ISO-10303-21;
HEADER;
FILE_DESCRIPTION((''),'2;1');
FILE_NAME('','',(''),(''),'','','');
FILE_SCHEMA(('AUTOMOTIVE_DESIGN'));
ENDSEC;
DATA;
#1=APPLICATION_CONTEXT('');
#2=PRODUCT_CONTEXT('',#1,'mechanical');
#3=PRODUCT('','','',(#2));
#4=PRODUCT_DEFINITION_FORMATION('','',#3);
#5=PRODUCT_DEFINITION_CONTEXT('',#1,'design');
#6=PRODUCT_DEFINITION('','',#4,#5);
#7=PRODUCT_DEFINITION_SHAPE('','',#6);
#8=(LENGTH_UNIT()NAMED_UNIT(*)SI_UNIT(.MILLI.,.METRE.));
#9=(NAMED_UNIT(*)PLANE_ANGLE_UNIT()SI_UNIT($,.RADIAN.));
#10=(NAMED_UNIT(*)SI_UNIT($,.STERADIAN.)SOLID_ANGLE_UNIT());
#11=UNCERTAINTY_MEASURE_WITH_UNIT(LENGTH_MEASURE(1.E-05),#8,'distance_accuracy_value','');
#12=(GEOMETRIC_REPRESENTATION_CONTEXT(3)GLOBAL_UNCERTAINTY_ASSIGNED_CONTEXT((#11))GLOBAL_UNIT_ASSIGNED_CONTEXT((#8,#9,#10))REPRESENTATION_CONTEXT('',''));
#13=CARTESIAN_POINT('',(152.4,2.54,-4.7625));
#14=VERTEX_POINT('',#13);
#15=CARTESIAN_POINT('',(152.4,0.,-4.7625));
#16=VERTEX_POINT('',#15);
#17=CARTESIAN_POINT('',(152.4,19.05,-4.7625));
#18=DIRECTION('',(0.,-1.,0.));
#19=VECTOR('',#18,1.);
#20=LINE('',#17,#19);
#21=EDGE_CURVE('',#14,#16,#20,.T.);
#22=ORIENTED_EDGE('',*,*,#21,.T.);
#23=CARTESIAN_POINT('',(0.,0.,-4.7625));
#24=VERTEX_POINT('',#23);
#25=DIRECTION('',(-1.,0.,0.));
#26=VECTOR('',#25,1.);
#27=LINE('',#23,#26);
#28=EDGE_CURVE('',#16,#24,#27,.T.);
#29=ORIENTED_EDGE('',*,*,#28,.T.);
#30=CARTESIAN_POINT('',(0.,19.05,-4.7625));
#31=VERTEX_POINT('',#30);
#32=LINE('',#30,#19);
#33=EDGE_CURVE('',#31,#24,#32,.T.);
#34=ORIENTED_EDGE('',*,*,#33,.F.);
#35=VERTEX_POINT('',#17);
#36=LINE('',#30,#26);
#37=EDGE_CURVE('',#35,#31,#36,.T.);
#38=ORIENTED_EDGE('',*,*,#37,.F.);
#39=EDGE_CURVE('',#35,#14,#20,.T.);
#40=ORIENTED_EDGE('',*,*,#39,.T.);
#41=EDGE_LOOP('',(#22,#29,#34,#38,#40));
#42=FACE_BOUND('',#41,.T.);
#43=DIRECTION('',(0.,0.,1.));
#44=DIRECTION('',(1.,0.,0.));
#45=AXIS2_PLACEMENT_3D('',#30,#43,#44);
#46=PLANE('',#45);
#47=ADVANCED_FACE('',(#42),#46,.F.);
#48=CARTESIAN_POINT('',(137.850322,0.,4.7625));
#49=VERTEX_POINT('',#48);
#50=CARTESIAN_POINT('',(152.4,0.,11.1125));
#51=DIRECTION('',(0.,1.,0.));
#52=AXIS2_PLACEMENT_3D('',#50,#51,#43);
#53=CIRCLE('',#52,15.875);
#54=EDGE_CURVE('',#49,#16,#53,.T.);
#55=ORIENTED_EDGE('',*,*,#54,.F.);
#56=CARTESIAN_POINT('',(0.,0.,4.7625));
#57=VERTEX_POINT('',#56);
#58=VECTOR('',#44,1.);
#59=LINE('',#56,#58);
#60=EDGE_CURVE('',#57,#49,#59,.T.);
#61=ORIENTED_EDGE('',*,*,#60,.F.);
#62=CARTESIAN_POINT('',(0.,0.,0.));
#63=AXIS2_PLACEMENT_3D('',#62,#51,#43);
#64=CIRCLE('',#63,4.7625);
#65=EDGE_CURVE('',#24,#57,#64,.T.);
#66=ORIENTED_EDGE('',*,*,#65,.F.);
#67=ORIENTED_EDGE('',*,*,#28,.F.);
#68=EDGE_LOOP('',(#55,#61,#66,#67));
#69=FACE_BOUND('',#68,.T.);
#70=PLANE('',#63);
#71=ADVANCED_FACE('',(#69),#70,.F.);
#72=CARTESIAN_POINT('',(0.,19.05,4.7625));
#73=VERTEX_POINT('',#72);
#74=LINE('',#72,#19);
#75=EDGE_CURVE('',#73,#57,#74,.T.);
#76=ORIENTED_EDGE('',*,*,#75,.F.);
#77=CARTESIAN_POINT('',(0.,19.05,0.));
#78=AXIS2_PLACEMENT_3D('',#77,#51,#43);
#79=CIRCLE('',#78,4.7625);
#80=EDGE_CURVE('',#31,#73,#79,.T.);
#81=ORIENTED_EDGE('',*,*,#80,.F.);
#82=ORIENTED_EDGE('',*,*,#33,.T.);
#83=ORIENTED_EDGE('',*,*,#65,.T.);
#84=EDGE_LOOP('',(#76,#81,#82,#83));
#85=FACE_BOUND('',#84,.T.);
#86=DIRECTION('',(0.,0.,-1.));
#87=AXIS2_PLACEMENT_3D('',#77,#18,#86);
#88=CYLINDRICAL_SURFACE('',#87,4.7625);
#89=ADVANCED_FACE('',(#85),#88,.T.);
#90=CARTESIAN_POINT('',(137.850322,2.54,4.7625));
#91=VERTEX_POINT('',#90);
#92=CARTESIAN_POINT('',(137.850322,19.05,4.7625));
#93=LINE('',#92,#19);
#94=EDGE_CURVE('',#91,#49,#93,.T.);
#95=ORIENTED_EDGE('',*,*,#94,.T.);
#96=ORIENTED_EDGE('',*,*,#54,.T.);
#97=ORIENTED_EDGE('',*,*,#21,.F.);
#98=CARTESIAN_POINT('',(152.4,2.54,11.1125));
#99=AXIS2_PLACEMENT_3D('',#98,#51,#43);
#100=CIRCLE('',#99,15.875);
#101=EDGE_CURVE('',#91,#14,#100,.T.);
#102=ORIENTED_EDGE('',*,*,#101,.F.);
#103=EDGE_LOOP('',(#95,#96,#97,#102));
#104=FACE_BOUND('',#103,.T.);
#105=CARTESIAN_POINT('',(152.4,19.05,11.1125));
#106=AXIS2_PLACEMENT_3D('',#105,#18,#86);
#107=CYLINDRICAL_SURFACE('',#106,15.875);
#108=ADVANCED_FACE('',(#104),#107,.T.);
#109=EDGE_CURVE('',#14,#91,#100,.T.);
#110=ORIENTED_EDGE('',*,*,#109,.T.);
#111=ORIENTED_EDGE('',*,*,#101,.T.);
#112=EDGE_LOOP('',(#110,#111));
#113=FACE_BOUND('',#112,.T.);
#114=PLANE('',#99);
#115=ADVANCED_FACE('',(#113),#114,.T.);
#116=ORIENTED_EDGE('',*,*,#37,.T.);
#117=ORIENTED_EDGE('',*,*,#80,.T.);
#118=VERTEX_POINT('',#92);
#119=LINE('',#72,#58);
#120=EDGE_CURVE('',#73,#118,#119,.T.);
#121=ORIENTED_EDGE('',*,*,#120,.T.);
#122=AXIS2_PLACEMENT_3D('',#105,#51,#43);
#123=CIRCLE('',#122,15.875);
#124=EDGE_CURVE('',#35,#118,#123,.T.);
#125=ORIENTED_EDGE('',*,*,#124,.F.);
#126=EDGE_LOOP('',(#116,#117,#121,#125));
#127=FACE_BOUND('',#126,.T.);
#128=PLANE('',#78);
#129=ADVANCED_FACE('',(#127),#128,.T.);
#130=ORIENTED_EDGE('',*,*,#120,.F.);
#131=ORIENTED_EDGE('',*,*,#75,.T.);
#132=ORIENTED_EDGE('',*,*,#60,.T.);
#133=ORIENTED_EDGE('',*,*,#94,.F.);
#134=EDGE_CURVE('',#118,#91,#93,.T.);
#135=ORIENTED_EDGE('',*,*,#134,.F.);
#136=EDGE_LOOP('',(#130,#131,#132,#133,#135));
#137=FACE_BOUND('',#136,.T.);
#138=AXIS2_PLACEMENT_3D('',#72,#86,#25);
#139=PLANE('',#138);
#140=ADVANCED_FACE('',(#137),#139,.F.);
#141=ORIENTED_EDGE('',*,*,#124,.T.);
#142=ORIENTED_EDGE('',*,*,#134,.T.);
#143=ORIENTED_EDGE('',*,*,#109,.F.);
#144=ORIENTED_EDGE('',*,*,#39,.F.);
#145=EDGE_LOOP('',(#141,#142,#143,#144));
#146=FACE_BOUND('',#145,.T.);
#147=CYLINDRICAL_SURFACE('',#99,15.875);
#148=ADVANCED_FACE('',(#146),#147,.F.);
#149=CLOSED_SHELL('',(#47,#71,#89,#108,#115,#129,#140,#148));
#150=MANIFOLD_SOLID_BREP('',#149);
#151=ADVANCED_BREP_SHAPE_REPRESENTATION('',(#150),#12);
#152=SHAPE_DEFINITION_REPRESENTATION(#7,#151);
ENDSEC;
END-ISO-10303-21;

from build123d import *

# Parameters (mm, degrees)
BOSS_EXTRUDE1_DEPTH = 19.05
CUT_EXTRUDE1_START  = -16.51
SKETCH2_R           = 15.875
CUT_EXTRUDE1_DEPTH  = 16.51


with BuildPart() as part:
    # Sketch1 → Boss-Extrude1 (new body)
    with BuildSketch(Plane(origin=(0, 0, 0), x_dir=(1, 0, 0), z_dir=(0, 1, 0))):
        with BuildLine():
            Line((0, -4.7625), (137.850322169, -4.7625))
            ThreePointArc((137.850322169, -4.7625), (161.0950956, -24.394477921), (152.4, 4.7625))
            Line((152.4, 4.7625), (0, 4.7625))
            ThreePointArc((0, 4.7625), (-4.7625, 0), (0, -4.7625))
        make_face()
    extrude(amount=BOSS_EXTRUDE1_DEPTH)

    # Sketch2 → Cut-Extrude1 (cut)
    with BuildSketch(Plane(origin=(0, 19.05, 0), x_dir=(1, 0, 0), z_dir=(0, 1, 0)).offset(CUT_EXTRUDE1_START)):
        with Locations((152.4, -11.1125)):
            Circle(SKETCH2_R)
    extrude(amount=CUT_EXTRUDE1_DEPTH, mode=Mode.SUBTRACT)


solid = part.part
